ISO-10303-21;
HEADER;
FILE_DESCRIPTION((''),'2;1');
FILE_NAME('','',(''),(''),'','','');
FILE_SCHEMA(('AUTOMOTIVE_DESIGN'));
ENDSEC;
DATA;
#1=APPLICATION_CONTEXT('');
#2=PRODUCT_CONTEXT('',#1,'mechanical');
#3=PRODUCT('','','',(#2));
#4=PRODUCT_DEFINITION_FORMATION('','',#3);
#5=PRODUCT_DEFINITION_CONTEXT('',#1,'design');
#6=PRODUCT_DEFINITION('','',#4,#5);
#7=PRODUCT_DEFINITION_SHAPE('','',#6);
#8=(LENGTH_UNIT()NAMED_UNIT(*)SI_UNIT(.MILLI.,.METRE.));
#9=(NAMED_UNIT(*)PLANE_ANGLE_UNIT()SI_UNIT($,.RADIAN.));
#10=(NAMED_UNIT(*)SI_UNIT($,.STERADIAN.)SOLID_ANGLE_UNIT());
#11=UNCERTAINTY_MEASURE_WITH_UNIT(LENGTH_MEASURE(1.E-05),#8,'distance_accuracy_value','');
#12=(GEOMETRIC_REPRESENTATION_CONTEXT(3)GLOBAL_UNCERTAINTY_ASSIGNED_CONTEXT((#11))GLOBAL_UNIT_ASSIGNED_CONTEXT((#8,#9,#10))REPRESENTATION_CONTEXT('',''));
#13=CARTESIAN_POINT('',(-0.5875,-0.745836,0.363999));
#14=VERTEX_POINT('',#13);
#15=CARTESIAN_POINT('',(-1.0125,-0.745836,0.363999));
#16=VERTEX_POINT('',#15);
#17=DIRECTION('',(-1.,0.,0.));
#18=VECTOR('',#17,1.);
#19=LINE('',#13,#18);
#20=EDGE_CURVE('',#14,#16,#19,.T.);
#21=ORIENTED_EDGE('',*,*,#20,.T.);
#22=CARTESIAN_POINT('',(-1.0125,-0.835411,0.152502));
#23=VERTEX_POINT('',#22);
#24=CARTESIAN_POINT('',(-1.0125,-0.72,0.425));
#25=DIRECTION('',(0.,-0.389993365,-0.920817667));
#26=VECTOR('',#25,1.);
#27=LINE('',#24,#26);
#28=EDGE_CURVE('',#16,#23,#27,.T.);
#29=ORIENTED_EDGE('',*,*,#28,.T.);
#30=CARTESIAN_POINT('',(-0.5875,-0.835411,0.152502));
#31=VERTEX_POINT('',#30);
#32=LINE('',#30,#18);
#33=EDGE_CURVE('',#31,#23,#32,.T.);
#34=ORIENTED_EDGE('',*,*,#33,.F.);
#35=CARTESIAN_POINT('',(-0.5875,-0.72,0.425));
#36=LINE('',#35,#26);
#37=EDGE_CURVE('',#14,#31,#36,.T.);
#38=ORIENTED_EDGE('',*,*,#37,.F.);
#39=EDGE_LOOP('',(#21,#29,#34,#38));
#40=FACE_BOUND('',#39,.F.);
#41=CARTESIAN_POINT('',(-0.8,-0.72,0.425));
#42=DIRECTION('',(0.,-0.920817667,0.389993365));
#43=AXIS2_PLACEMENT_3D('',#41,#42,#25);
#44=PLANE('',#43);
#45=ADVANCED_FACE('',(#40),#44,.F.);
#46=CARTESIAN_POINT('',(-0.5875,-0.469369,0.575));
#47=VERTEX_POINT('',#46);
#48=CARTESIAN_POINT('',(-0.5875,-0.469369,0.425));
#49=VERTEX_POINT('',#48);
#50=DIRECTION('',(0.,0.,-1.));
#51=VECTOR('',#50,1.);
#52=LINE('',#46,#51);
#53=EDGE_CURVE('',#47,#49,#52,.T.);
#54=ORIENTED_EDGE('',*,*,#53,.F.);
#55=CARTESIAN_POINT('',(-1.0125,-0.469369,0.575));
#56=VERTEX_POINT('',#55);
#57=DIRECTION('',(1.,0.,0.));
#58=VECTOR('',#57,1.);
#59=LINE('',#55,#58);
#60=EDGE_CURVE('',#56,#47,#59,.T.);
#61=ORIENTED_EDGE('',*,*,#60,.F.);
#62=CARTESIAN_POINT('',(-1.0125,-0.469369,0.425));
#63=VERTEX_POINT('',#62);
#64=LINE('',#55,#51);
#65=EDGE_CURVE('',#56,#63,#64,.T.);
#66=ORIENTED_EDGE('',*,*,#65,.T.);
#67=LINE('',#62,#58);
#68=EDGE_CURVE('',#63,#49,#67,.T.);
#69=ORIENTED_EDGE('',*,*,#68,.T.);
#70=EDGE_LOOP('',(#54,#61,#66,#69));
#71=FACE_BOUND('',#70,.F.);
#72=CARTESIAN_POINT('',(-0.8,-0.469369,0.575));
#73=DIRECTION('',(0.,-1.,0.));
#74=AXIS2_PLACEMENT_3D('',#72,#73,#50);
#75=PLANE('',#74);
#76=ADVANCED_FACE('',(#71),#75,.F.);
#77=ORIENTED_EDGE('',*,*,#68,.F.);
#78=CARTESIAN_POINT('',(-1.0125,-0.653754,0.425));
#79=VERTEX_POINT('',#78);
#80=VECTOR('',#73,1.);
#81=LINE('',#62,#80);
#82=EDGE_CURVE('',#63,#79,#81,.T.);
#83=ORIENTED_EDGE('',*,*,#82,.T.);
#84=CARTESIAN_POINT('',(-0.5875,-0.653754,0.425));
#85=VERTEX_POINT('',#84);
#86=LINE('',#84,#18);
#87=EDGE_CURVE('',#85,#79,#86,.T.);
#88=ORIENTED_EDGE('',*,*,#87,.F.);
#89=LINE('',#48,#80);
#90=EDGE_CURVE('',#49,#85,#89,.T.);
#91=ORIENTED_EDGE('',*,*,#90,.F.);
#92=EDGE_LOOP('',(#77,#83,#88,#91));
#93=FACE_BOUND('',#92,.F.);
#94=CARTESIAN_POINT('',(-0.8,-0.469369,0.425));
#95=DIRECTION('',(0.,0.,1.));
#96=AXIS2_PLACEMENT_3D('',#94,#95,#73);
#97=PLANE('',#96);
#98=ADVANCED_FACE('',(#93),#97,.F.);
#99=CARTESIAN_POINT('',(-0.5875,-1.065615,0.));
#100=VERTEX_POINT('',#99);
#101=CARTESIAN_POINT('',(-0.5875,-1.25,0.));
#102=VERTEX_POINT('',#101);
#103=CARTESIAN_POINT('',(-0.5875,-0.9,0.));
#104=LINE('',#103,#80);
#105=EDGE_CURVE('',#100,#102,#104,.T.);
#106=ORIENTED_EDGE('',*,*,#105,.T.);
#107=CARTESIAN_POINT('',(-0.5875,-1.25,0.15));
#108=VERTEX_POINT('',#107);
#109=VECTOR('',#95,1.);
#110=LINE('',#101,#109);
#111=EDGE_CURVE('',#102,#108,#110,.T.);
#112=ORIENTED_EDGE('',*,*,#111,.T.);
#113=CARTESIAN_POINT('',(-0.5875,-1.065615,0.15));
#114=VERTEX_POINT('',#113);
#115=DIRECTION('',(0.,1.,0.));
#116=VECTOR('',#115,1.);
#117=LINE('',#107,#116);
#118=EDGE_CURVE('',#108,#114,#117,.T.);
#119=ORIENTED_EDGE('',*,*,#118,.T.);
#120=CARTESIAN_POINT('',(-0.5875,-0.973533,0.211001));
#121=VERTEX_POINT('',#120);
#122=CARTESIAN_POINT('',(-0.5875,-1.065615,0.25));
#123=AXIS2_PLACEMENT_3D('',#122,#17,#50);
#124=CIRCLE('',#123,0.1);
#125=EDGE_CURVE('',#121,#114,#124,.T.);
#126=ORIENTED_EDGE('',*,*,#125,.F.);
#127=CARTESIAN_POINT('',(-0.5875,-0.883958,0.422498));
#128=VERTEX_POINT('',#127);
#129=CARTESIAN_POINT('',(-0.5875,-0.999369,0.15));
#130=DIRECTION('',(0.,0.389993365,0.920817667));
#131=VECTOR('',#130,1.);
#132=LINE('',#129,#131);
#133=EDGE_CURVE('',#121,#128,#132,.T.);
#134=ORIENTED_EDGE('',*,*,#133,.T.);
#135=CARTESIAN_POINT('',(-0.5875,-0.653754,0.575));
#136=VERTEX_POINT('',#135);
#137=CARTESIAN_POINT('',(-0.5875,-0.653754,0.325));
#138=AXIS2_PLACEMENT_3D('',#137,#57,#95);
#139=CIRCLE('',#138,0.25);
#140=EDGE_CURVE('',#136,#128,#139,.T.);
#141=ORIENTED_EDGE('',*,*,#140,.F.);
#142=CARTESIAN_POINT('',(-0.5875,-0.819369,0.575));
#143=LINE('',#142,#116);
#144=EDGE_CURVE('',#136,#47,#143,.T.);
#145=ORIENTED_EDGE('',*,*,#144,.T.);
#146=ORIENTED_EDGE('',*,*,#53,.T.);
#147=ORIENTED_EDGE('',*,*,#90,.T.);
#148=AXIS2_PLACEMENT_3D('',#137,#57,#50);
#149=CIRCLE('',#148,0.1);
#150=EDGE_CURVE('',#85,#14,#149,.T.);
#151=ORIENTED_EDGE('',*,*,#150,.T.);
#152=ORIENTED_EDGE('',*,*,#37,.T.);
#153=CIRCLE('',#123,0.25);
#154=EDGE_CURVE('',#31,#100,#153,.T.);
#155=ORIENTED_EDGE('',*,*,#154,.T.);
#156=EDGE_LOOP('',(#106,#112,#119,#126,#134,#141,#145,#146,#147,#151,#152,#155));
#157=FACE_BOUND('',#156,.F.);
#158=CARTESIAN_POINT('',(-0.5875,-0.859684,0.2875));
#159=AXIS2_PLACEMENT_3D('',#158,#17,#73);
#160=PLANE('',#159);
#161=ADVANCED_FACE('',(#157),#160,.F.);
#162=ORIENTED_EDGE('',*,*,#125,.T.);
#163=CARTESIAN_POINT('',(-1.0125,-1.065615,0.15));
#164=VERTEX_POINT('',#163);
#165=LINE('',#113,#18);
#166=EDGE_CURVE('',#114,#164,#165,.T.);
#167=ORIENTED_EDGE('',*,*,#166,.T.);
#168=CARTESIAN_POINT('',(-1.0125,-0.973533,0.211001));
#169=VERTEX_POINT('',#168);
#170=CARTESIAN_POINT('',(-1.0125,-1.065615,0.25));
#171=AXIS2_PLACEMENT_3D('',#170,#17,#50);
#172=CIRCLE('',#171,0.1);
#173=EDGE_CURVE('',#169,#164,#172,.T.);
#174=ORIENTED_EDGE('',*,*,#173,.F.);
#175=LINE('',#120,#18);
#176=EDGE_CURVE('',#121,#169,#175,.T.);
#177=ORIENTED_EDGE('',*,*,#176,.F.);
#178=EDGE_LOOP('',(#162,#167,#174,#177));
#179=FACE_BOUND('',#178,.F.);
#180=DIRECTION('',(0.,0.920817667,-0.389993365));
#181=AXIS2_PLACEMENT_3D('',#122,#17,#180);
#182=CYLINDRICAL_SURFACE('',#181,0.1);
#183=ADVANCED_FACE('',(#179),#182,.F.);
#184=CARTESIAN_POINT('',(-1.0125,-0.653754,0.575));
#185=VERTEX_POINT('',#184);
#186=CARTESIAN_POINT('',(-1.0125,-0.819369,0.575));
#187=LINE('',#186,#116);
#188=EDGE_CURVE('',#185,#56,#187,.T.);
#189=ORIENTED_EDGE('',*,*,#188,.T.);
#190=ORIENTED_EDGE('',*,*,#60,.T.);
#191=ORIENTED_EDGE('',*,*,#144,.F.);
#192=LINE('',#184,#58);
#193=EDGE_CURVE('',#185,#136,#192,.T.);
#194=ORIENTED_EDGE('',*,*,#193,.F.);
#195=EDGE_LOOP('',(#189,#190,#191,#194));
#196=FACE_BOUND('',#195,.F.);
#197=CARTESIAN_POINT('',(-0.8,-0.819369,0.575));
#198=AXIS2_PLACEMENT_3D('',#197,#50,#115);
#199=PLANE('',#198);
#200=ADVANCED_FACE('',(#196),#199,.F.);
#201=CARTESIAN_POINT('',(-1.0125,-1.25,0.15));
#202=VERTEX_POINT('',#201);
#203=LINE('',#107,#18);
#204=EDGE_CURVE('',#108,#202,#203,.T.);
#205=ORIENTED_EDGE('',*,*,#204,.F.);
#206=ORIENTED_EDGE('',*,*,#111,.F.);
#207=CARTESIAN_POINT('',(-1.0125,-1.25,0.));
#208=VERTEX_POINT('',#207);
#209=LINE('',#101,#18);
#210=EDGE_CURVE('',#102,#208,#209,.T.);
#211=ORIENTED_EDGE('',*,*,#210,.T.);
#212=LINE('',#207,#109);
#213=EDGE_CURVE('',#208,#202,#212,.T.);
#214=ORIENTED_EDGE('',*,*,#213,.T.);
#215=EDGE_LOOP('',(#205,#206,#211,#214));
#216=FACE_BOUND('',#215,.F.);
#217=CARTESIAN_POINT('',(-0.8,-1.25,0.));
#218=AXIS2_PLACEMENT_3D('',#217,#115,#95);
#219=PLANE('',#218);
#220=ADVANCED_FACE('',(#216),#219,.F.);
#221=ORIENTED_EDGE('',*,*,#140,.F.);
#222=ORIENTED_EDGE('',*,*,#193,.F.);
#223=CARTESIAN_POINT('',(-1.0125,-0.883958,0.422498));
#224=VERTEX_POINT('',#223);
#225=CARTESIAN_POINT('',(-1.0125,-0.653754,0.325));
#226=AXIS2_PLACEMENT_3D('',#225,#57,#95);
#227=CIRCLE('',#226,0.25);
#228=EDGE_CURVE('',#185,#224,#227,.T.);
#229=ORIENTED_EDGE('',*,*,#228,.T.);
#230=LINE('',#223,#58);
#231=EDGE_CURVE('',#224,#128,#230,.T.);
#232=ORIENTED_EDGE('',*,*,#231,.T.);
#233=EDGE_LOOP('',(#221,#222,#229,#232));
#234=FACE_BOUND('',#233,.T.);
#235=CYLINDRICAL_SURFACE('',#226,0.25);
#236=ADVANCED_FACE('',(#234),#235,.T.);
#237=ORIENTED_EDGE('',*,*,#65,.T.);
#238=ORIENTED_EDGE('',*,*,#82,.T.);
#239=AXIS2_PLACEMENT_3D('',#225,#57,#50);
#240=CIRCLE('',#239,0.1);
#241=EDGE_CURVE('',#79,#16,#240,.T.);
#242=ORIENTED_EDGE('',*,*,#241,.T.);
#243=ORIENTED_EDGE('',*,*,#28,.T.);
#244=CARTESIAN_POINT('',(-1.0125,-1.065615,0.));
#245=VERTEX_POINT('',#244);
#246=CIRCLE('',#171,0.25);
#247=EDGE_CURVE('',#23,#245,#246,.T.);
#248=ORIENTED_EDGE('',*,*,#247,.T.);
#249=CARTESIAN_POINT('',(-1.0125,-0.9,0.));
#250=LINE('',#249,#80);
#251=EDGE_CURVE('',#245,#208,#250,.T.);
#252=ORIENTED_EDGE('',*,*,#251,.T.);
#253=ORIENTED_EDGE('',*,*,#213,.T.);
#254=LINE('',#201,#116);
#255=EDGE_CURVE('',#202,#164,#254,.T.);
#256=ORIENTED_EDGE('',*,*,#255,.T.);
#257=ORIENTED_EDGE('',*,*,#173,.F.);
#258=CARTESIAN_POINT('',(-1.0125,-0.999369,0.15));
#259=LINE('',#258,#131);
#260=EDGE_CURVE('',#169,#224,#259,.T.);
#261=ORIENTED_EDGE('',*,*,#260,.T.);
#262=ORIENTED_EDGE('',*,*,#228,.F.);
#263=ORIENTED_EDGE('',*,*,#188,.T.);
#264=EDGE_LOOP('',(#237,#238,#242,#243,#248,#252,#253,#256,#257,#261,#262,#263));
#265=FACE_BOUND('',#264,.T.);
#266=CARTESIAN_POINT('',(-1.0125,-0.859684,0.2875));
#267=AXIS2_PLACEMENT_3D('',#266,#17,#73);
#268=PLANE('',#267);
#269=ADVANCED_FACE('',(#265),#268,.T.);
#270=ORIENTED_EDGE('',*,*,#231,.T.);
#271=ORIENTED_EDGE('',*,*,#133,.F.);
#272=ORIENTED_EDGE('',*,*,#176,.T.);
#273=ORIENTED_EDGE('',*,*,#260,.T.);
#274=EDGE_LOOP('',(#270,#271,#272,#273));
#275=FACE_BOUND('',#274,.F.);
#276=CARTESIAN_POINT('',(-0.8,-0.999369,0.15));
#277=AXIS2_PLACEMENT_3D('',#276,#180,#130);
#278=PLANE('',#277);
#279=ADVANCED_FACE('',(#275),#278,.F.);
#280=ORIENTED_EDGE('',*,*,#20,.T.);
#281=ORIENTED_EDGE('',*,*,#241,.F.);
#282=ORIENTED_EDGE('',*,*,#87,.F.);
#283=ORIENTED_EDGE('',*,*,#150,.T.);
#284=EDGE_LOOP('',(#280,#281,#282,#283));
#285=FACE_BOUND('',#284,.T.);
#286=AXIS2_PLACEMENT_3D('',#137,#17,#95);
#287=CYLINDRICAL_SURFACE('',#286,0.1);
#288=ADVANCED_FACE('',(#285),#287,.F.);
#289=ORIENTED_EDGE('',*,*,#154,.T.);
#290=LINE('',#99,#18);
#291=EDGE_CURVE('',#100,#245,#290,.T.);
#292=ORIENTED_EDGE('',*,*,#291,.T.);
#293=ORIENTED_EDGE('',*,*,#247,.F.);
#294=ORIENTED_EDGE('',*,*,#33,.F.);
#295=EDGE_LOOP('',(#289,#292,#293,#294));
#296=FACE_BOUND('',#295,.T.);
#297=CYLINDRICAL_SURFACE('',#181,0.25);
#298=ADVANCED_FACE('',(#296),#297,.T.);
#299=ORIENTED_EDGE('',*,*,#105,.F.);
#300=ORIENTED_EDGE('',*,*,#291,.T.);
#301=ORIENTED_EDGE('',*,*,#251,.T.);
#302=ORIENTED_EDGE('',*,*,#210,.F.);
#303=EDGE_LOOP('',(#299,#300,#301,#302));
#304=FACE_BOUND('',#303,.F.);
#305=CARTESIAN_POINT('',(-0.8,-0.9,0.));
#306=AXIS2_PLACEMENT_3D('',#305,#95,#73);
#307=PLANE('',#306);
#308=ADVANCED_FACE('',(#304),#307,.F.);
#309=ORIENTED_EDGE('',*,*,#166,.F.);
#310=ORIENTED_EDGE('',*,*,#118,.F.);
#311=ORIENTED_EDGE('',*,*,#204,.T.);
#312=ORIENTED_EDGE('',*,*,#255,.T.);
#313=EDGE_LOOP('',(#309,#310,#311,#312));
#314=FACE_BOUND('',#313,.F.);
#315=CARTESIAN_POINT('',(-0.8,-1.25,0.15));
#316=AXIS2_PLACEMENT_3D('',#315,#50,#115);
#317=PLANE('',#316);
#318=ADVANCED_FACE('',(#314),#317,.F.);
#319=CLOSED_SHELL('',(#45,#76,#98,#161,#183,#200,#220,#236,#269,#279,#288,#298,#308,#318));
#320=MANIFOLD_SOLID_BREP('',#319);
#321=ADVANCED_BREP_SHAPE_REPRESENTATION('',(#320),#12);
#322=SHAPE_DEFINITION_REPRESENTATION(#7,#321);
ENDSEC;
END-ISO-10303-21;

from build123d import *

# Parameters (mm, degrees)
PAD002_DEPTH = 0.2125
FILLET002_R  = 0.1
FILLET003_R  = 0.25


with BuildPart() as part:
    # Sketch002 → Pad002 (new body, symmetric)
    with BuildSketch(Plane.YZ):
        Polygon((-0.469369, 0.425), (-0.72, 0.425), (-0.9, 0), (-1.25, 0), (-1.25, 0.15), (-0.999369, 0.15), (-0.819369, 0.575), (-0.469369, 0.575), align=None)
    extrude(amount=PAD002_DEPTH, both=True)

    # Fillet002
    fillet002_edges = [part.edges().sort_by_distance(p)[0] for p in [
        (0, -0.999369, 0.15),
        (0, -0.72, 0.425),
    ]]
    fillet(fillet002_edges, radius=FILLET002_R)

    # Fillet003
    fillet003_edges = [part.edges().sort_by_distance(p)[0] for p in [
        (0, -0.9, 0),
        (0, -0.819369, 0.575),
    ]]
    fillet(fillet003_edges, radius=FILLET003_R)


with BuildPart() as part_1:
    # Body002 placement: moved
    add(part.part.moved(Location((-0.8, 0, 0))))


solid = part_1.part
